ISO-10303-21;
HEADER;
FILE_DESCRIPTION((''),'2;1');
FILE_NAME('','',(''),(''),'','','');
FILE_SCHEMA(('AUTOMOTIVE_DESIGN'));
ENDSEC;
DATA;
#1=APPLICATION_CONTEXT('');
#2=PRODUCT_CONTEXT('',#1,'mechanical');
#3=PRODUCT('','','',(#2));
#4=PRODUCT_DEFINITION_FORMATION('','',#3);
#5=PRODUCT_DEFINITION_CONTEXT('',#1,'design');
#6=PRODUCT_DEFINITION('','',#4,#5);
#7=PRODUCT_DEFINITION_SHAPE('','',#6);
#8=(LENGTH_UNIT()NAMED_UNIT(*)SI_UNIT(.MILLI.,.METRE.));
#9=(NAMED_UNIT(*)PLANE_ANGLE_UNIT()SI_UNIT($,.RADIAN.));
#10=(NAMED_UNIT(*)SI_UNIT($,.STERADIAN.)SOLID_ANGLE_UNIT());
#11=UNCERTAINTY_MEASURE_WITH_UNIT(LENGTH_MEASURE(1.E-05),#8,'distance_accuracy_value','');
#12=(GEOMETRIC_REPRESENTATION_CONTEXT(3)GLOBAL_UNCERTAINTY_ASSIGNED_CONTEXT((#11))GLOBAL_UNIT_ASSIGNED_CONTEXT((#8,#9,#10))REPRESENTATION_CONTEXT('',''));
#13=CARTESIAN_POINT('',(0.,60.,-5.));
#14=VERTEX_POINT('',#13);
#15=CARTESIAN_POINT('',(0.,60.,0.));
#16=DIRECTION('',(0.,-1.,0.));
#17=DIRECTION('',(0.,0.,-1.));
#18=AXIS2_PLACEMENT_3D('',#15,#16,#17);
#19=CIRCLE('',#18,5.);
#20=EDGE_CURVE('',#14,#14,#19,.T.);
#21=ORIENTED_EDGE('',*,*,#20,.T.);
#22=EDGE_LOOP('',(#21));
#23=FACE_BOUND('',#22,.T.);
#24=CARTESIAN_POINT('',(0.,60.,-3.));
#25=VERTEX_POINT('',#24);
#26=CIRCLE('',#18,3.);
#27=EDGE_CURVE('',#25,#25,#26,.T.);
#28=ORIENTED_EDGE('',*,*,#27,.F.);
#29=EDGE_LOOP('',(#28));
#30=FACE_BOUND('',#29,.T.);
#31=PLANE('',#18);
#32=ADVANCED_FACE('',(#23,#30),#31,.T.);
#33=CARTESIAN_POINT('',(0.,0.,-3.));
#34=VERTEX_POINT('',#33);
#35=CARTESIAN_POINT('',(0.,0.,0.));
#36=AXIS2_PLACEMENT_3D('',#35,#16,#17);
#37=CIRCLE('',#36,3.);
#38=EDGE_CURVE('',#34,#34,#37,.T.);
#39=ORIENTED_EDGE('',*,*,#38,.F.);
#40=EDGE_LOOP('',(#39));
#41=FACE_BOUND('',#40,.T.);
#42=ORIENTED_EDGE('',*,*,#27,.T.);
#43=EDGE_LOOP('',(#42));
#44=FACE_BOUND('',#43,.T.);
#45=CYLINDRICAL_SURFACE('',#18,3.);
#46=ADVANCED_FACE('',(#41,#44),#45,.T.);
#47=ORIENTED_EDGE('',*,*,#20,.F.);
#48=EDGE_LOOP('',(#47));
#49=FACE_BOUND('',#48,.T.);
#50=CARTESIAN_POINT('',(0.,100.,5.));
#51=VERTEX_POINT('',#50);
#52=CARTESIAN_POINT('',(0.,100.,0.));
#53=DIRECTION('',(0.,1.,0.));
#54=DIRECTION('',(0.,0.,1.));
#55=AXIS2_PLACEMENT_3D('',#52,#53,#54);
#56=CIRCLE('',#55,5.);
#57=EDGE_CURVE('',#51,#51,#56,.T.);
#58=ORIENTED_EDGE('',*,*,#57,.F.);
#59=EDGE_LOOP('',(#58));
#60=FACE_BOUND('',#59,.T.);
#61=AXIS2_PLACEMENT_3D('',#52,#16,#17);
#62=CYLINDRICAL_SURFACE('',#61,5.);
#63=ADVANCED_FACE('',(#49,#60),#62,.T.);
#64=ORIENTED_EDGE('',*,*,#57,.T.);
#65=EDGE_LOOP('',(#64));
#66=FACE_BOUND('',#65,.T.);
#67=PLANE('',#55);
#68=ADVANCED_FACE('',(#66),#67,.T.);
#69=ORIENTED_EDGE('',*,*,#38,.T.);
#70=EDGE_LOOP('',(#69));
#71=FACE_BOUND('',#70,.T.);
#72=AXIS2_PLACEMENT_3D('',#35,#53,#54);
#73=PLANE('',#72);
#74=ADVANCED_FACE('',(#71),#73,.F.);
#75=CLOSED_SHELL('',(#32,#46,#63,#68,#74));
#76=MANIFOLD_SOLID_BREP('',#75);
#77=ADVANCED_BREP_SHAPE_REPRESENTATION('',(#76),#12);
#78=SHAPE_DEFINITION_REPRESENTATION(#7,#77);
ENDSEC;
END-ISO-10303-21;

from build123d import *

# Parameters (mm, degrees)
SKETCH1_R           = 5
BOSS_EXTRUDE1_DEPTH = 100
SKETCH2_R           = 5
SKETCH2_R_2         = 3
CUT_EXTRUDE1_DEPTH  = 60


with BuildPart() as part:
    # Sketch1 → Boss-Extrude1 (new body)
    with BuildSketch(Plane(origin=(0, 0, 0), x_dir=(1, 0, 0), z_dir=(0, 1, 0))):
        Circle(SKETCH1_R)
    extrude(amount=BOSS_EXTRUDE1_DEPTH)

    # Sketch2 → Cut-Extrude1 (cut)
    with BuildSketch(Plane(origin=(0, 0, 0), x_dir=(-1, 0, 0), z_dir=(0, -1, 0))):
        Circle(SKETCH2_R)
        Circle(SKETCH2_R_2, mode=Mode.SUBTRACT)
    extrude(amount=-CUT_EXTRUDE1_DEPTH, mode=Mode.SUBTRACT)


solid = part.part
